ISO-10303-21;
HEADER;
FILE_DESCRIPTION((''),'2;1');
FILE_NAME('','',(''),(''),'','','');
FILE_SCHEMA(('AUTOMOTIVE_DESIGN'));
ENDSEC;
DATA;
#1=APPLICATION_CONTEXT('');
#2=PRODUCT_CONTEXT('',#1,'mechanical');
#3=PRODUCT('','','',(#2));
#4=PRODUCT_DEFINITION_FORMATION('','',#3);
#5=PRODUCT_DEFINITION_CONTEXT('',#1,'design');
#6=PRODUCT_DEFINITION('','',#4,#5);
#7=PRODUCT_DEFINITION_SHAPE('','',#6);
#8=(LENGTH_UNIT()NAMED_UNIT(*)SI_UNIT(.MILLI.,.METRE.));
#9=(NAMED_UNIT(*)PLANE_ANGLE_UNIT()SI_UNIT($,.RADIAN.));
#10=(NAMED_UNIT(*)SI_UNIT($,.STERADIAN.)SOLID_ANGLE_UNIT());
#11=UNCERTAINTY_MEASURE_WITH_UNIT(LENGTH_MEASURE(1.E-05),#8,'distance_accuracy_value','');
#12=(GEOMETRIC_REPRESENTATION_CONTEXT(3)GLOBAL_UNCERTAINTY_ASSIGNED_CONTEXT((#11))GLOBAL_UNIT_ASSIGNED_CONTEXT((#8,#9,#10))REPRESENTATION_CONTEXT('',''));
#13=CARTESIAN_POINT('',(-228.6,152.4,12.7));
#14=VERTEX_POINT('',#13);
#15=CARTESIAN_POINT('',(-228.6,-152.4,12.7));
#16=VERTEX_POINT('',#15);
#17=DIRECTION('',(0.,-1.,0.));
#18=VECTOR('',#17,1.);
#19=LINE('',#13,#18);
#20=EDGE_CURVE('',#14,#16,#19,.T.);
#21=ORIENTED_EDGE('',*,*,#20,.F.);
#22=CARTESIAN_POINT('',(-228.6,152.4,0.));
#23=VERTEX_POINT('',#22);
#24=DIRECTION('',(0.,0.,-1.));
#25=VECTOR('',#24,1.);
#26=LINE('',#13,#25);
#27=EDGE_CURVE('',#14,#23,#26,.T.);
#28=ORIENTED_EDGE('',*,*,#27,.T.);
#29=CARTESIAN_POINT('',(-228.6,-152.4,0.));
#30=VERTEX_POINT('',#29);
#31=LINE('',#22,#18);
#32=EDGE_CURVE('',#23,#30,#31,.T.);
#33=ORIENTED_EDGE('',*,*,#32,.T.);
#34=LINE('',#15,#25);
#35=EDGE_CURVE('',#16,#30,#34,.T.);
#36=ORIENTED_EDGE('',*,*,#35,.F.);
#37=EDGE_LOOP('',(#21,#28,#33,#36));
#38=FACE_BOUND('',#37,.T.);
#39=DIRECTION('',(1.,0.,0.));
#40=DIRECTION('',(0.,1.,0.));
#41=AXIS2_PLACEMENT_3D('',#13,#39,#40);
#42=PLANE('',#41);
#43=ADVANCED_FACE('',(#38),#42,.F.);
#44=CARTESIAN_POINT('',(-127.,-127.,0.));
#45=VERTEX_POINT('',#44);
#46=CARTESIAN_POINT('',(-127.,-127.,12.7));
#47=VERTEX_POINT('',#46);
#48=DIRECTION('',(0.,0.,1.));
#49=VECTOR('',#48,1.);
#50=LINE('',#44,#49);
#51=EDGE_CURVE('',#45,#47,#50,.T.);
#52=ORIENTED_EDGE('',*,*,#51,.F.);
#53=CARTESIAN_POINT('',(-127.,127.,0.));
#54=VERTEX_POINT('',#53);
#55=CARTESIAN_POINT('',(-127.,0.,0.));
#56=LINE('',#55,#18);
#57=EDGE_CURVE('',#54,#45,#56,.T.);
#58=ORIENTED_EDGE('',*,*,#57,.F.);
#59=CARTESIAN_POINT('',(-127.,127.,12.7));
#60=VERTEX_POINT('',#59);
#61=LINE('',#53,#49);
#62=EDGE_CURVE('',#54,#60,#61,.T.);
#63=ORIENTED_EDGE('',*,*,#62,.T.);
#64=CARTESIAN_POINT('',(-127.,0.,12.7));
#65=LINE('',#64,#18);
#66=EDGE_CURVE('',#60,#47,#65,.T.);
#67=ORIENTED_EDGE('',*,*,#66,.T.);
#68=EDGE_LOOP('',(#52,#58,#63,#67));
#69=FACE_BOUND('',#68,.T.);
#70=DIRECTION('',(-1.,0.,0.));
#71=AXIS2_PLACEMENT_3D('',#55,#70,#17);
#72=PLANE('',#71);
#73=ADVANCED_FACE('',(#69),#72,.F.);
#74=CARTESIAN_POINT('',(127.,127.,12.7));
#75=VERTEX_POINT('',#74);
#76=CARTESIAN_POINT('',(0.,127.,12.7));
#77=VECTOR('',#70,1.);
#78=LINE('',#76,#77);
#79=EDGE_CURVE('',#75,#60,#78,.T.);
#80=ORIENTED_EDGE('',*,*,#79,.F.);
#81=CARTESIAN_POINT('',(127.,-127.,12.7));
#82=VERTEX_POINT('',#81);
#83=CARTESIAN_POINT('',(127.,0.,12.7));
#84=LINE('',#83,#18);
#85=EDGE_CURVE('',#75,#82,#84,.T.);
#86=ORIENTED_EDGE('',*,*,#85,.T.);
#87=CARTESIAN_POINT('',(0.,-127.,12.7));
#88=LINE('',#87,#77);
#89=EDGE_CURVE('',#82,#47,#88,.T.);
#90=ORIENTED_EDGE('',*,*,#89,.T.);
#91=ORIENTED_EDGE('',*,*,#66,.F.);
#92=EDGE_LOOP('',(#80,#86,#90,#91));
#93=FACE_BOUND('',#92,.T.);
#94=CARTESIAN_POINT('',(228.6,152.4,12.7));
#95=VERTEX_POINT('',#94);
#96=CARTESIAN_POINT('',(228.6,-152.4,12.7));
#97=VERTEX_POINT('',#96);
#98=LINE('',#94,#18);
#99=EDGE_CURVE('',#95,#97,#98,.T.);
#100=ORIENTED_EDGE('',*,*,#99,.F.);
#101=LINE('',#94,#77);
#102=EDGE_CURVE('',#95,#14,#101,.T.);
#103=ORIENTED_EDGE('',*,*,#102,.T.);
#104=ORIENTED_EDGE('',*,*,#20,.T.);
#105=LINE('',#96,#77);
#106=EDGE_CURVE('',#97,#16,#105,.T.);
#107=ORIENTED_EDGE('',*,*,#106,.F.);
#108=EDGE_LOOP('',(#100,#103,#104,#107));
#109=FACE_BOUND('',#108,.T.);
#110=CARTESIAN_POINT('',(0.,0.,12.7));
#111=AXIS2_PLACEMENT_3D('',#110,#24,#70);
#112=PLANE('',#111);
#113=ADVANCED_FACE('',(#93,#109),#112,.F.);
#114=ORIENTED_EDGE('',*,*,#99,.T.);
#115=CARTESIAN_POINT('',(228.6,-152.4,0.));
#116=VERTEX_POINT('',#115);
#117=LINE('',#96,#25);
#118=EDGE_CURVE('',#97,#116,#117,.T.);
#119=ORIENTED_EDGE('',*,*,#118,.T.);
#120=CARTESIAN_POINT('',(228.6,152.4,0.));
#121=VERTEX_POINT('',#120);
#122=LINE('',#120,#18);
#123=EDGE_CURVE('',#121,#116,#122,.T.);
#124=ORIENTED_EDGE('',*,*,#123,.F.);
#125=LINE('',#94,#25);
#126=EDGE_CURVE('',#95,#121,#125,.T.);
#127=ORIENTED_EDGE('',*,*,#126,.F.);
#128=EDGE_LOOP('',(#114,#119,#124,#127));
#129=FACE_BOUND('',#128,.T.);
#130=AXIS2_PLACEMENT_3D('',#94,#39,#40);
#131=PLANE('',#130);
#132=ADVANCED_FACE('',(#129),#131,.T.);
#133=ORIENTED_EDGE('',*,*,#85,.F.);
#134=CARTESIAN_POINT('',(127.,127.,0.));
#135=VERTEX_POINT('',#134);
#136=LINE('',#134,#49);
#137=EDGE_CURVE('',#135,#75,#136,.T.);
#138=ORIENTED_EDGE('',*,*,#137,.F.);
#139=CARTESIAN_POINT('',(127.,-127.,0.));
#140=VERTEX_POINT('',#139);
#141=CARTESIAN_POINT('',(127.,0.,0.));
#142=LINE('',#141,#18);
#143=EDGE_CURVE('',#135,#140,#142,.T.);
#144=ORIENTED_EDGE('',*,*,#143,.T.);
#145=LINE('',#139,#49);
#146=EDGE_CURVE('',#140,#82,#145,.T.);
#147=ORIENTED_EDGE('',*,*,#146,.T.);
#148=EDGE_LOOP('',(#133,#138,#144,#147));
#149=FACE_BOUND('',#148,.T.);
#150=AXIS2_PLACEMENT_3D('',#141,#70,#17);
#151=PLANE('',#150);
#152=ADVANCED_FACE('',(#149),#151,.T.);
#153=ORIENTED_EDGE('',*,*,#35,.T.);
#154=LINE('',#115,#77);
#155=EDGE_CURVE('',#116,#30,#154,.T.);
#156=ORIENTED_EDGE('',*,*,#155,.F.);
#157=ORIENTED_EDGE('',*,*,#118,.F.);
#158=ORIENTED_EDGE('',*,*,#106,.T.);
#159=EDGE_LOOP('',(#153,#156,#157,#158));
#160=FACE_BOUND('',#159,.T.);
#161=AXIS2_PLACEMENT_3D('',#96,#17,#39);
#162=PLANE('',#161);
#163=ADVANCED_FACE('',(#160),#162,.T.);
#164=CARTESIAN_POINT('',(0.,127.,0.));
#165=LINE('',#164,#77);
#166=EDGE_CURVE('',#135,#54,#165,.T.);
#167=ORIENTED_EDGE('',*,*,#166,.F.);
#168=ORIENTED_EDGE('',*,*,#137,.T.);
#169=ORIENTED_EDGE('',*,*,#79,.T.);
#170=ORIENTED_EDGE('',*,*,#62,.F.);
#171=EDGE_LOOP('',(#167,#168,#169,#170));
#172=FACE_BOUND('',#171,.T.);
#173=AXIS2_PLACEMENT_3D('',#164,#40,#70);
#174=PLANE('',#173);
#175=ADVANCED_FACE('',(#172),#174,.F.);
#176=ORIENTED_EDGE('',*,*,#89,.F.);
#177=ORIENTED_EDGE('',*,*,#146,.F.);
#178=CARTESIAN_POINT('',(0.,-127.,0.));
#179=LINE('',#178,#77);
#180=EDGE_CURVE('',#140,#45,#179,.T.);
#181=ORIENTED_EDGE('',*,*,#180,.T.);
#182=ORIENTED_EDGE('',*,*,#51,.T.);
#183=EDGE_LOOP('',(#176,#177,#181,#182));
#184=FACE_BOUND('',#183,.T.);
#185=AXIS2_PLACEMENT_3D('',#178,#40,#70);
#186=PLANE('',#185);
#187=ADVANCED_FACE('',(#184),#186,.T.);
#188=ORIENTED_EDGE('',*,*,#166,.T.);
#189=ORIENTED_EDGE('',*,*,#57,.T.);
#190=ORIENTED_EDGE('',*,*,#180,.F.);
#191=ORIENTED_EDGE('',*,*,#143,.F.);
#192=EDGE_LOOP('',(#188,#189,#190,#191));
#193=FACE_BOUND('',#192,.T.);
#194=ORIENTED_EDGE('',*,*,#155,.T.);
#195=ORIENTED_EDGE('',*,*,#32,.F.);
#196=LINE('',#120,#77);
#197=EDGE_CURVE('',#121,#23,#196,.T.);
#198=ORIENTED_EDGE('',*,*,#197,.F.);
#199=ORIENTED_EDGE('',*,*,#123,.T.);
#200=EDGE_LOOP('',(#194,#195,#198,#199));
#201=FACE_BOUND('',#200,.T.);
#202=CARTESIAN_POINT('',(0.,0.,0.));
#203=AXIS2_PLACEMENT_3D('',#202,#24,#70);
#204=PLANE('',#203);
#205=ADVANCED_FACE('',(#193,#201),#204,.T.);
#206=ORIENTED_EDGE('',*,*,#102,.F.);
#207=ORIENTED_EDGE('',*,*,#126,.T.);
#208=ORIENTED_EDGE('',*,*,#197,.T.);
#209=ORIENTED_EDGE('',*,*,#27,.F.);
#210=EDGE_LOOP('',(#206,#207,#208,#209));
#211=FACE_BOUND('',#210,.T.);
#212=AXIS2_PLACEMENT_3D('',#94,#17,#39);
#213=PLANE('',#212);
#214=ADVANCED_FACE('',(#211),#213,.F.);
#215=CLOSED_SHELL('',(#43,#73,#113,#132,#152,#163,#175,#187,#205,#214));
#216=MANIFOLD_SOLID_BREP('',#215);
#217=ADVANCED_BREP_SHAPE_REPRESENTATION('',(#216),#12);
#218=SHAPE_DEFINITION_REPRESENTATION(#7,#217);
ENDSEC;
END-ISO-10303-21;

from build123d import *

# Parameters (mm, degrees)
SKETCH1_W           = 457.2
SKETCH1_H           = 304.8
BOSS_EXTRUDE1_DEPTH = 12.7
SKETCH2_W           = 254
SKETCH2_H           = 254
CUT_EXTRUDE1_DEPTH  = 12.7


with BuildPart() as part:
    # Sketch1 → Boss-Extrude1 (new body)
    with BuildSketch(Plane.XY):
        Rectangle(SKETCH1_W, SKETCH1_H)
    extrude(amount=BOSS_EXTRUDE1_DEPTH)

    # Sketch2 → Cut-Extrude1 (cut)
    with BuildSketch(Plane.XY.offset(12.7)):
        Rectangle(SKETCH2_W, SKETCH2_H)
    extrude(amount=-CUT_EXTRUDE1_DEPTH, mode=Mode.SUBTRACT)


solid = part.part
